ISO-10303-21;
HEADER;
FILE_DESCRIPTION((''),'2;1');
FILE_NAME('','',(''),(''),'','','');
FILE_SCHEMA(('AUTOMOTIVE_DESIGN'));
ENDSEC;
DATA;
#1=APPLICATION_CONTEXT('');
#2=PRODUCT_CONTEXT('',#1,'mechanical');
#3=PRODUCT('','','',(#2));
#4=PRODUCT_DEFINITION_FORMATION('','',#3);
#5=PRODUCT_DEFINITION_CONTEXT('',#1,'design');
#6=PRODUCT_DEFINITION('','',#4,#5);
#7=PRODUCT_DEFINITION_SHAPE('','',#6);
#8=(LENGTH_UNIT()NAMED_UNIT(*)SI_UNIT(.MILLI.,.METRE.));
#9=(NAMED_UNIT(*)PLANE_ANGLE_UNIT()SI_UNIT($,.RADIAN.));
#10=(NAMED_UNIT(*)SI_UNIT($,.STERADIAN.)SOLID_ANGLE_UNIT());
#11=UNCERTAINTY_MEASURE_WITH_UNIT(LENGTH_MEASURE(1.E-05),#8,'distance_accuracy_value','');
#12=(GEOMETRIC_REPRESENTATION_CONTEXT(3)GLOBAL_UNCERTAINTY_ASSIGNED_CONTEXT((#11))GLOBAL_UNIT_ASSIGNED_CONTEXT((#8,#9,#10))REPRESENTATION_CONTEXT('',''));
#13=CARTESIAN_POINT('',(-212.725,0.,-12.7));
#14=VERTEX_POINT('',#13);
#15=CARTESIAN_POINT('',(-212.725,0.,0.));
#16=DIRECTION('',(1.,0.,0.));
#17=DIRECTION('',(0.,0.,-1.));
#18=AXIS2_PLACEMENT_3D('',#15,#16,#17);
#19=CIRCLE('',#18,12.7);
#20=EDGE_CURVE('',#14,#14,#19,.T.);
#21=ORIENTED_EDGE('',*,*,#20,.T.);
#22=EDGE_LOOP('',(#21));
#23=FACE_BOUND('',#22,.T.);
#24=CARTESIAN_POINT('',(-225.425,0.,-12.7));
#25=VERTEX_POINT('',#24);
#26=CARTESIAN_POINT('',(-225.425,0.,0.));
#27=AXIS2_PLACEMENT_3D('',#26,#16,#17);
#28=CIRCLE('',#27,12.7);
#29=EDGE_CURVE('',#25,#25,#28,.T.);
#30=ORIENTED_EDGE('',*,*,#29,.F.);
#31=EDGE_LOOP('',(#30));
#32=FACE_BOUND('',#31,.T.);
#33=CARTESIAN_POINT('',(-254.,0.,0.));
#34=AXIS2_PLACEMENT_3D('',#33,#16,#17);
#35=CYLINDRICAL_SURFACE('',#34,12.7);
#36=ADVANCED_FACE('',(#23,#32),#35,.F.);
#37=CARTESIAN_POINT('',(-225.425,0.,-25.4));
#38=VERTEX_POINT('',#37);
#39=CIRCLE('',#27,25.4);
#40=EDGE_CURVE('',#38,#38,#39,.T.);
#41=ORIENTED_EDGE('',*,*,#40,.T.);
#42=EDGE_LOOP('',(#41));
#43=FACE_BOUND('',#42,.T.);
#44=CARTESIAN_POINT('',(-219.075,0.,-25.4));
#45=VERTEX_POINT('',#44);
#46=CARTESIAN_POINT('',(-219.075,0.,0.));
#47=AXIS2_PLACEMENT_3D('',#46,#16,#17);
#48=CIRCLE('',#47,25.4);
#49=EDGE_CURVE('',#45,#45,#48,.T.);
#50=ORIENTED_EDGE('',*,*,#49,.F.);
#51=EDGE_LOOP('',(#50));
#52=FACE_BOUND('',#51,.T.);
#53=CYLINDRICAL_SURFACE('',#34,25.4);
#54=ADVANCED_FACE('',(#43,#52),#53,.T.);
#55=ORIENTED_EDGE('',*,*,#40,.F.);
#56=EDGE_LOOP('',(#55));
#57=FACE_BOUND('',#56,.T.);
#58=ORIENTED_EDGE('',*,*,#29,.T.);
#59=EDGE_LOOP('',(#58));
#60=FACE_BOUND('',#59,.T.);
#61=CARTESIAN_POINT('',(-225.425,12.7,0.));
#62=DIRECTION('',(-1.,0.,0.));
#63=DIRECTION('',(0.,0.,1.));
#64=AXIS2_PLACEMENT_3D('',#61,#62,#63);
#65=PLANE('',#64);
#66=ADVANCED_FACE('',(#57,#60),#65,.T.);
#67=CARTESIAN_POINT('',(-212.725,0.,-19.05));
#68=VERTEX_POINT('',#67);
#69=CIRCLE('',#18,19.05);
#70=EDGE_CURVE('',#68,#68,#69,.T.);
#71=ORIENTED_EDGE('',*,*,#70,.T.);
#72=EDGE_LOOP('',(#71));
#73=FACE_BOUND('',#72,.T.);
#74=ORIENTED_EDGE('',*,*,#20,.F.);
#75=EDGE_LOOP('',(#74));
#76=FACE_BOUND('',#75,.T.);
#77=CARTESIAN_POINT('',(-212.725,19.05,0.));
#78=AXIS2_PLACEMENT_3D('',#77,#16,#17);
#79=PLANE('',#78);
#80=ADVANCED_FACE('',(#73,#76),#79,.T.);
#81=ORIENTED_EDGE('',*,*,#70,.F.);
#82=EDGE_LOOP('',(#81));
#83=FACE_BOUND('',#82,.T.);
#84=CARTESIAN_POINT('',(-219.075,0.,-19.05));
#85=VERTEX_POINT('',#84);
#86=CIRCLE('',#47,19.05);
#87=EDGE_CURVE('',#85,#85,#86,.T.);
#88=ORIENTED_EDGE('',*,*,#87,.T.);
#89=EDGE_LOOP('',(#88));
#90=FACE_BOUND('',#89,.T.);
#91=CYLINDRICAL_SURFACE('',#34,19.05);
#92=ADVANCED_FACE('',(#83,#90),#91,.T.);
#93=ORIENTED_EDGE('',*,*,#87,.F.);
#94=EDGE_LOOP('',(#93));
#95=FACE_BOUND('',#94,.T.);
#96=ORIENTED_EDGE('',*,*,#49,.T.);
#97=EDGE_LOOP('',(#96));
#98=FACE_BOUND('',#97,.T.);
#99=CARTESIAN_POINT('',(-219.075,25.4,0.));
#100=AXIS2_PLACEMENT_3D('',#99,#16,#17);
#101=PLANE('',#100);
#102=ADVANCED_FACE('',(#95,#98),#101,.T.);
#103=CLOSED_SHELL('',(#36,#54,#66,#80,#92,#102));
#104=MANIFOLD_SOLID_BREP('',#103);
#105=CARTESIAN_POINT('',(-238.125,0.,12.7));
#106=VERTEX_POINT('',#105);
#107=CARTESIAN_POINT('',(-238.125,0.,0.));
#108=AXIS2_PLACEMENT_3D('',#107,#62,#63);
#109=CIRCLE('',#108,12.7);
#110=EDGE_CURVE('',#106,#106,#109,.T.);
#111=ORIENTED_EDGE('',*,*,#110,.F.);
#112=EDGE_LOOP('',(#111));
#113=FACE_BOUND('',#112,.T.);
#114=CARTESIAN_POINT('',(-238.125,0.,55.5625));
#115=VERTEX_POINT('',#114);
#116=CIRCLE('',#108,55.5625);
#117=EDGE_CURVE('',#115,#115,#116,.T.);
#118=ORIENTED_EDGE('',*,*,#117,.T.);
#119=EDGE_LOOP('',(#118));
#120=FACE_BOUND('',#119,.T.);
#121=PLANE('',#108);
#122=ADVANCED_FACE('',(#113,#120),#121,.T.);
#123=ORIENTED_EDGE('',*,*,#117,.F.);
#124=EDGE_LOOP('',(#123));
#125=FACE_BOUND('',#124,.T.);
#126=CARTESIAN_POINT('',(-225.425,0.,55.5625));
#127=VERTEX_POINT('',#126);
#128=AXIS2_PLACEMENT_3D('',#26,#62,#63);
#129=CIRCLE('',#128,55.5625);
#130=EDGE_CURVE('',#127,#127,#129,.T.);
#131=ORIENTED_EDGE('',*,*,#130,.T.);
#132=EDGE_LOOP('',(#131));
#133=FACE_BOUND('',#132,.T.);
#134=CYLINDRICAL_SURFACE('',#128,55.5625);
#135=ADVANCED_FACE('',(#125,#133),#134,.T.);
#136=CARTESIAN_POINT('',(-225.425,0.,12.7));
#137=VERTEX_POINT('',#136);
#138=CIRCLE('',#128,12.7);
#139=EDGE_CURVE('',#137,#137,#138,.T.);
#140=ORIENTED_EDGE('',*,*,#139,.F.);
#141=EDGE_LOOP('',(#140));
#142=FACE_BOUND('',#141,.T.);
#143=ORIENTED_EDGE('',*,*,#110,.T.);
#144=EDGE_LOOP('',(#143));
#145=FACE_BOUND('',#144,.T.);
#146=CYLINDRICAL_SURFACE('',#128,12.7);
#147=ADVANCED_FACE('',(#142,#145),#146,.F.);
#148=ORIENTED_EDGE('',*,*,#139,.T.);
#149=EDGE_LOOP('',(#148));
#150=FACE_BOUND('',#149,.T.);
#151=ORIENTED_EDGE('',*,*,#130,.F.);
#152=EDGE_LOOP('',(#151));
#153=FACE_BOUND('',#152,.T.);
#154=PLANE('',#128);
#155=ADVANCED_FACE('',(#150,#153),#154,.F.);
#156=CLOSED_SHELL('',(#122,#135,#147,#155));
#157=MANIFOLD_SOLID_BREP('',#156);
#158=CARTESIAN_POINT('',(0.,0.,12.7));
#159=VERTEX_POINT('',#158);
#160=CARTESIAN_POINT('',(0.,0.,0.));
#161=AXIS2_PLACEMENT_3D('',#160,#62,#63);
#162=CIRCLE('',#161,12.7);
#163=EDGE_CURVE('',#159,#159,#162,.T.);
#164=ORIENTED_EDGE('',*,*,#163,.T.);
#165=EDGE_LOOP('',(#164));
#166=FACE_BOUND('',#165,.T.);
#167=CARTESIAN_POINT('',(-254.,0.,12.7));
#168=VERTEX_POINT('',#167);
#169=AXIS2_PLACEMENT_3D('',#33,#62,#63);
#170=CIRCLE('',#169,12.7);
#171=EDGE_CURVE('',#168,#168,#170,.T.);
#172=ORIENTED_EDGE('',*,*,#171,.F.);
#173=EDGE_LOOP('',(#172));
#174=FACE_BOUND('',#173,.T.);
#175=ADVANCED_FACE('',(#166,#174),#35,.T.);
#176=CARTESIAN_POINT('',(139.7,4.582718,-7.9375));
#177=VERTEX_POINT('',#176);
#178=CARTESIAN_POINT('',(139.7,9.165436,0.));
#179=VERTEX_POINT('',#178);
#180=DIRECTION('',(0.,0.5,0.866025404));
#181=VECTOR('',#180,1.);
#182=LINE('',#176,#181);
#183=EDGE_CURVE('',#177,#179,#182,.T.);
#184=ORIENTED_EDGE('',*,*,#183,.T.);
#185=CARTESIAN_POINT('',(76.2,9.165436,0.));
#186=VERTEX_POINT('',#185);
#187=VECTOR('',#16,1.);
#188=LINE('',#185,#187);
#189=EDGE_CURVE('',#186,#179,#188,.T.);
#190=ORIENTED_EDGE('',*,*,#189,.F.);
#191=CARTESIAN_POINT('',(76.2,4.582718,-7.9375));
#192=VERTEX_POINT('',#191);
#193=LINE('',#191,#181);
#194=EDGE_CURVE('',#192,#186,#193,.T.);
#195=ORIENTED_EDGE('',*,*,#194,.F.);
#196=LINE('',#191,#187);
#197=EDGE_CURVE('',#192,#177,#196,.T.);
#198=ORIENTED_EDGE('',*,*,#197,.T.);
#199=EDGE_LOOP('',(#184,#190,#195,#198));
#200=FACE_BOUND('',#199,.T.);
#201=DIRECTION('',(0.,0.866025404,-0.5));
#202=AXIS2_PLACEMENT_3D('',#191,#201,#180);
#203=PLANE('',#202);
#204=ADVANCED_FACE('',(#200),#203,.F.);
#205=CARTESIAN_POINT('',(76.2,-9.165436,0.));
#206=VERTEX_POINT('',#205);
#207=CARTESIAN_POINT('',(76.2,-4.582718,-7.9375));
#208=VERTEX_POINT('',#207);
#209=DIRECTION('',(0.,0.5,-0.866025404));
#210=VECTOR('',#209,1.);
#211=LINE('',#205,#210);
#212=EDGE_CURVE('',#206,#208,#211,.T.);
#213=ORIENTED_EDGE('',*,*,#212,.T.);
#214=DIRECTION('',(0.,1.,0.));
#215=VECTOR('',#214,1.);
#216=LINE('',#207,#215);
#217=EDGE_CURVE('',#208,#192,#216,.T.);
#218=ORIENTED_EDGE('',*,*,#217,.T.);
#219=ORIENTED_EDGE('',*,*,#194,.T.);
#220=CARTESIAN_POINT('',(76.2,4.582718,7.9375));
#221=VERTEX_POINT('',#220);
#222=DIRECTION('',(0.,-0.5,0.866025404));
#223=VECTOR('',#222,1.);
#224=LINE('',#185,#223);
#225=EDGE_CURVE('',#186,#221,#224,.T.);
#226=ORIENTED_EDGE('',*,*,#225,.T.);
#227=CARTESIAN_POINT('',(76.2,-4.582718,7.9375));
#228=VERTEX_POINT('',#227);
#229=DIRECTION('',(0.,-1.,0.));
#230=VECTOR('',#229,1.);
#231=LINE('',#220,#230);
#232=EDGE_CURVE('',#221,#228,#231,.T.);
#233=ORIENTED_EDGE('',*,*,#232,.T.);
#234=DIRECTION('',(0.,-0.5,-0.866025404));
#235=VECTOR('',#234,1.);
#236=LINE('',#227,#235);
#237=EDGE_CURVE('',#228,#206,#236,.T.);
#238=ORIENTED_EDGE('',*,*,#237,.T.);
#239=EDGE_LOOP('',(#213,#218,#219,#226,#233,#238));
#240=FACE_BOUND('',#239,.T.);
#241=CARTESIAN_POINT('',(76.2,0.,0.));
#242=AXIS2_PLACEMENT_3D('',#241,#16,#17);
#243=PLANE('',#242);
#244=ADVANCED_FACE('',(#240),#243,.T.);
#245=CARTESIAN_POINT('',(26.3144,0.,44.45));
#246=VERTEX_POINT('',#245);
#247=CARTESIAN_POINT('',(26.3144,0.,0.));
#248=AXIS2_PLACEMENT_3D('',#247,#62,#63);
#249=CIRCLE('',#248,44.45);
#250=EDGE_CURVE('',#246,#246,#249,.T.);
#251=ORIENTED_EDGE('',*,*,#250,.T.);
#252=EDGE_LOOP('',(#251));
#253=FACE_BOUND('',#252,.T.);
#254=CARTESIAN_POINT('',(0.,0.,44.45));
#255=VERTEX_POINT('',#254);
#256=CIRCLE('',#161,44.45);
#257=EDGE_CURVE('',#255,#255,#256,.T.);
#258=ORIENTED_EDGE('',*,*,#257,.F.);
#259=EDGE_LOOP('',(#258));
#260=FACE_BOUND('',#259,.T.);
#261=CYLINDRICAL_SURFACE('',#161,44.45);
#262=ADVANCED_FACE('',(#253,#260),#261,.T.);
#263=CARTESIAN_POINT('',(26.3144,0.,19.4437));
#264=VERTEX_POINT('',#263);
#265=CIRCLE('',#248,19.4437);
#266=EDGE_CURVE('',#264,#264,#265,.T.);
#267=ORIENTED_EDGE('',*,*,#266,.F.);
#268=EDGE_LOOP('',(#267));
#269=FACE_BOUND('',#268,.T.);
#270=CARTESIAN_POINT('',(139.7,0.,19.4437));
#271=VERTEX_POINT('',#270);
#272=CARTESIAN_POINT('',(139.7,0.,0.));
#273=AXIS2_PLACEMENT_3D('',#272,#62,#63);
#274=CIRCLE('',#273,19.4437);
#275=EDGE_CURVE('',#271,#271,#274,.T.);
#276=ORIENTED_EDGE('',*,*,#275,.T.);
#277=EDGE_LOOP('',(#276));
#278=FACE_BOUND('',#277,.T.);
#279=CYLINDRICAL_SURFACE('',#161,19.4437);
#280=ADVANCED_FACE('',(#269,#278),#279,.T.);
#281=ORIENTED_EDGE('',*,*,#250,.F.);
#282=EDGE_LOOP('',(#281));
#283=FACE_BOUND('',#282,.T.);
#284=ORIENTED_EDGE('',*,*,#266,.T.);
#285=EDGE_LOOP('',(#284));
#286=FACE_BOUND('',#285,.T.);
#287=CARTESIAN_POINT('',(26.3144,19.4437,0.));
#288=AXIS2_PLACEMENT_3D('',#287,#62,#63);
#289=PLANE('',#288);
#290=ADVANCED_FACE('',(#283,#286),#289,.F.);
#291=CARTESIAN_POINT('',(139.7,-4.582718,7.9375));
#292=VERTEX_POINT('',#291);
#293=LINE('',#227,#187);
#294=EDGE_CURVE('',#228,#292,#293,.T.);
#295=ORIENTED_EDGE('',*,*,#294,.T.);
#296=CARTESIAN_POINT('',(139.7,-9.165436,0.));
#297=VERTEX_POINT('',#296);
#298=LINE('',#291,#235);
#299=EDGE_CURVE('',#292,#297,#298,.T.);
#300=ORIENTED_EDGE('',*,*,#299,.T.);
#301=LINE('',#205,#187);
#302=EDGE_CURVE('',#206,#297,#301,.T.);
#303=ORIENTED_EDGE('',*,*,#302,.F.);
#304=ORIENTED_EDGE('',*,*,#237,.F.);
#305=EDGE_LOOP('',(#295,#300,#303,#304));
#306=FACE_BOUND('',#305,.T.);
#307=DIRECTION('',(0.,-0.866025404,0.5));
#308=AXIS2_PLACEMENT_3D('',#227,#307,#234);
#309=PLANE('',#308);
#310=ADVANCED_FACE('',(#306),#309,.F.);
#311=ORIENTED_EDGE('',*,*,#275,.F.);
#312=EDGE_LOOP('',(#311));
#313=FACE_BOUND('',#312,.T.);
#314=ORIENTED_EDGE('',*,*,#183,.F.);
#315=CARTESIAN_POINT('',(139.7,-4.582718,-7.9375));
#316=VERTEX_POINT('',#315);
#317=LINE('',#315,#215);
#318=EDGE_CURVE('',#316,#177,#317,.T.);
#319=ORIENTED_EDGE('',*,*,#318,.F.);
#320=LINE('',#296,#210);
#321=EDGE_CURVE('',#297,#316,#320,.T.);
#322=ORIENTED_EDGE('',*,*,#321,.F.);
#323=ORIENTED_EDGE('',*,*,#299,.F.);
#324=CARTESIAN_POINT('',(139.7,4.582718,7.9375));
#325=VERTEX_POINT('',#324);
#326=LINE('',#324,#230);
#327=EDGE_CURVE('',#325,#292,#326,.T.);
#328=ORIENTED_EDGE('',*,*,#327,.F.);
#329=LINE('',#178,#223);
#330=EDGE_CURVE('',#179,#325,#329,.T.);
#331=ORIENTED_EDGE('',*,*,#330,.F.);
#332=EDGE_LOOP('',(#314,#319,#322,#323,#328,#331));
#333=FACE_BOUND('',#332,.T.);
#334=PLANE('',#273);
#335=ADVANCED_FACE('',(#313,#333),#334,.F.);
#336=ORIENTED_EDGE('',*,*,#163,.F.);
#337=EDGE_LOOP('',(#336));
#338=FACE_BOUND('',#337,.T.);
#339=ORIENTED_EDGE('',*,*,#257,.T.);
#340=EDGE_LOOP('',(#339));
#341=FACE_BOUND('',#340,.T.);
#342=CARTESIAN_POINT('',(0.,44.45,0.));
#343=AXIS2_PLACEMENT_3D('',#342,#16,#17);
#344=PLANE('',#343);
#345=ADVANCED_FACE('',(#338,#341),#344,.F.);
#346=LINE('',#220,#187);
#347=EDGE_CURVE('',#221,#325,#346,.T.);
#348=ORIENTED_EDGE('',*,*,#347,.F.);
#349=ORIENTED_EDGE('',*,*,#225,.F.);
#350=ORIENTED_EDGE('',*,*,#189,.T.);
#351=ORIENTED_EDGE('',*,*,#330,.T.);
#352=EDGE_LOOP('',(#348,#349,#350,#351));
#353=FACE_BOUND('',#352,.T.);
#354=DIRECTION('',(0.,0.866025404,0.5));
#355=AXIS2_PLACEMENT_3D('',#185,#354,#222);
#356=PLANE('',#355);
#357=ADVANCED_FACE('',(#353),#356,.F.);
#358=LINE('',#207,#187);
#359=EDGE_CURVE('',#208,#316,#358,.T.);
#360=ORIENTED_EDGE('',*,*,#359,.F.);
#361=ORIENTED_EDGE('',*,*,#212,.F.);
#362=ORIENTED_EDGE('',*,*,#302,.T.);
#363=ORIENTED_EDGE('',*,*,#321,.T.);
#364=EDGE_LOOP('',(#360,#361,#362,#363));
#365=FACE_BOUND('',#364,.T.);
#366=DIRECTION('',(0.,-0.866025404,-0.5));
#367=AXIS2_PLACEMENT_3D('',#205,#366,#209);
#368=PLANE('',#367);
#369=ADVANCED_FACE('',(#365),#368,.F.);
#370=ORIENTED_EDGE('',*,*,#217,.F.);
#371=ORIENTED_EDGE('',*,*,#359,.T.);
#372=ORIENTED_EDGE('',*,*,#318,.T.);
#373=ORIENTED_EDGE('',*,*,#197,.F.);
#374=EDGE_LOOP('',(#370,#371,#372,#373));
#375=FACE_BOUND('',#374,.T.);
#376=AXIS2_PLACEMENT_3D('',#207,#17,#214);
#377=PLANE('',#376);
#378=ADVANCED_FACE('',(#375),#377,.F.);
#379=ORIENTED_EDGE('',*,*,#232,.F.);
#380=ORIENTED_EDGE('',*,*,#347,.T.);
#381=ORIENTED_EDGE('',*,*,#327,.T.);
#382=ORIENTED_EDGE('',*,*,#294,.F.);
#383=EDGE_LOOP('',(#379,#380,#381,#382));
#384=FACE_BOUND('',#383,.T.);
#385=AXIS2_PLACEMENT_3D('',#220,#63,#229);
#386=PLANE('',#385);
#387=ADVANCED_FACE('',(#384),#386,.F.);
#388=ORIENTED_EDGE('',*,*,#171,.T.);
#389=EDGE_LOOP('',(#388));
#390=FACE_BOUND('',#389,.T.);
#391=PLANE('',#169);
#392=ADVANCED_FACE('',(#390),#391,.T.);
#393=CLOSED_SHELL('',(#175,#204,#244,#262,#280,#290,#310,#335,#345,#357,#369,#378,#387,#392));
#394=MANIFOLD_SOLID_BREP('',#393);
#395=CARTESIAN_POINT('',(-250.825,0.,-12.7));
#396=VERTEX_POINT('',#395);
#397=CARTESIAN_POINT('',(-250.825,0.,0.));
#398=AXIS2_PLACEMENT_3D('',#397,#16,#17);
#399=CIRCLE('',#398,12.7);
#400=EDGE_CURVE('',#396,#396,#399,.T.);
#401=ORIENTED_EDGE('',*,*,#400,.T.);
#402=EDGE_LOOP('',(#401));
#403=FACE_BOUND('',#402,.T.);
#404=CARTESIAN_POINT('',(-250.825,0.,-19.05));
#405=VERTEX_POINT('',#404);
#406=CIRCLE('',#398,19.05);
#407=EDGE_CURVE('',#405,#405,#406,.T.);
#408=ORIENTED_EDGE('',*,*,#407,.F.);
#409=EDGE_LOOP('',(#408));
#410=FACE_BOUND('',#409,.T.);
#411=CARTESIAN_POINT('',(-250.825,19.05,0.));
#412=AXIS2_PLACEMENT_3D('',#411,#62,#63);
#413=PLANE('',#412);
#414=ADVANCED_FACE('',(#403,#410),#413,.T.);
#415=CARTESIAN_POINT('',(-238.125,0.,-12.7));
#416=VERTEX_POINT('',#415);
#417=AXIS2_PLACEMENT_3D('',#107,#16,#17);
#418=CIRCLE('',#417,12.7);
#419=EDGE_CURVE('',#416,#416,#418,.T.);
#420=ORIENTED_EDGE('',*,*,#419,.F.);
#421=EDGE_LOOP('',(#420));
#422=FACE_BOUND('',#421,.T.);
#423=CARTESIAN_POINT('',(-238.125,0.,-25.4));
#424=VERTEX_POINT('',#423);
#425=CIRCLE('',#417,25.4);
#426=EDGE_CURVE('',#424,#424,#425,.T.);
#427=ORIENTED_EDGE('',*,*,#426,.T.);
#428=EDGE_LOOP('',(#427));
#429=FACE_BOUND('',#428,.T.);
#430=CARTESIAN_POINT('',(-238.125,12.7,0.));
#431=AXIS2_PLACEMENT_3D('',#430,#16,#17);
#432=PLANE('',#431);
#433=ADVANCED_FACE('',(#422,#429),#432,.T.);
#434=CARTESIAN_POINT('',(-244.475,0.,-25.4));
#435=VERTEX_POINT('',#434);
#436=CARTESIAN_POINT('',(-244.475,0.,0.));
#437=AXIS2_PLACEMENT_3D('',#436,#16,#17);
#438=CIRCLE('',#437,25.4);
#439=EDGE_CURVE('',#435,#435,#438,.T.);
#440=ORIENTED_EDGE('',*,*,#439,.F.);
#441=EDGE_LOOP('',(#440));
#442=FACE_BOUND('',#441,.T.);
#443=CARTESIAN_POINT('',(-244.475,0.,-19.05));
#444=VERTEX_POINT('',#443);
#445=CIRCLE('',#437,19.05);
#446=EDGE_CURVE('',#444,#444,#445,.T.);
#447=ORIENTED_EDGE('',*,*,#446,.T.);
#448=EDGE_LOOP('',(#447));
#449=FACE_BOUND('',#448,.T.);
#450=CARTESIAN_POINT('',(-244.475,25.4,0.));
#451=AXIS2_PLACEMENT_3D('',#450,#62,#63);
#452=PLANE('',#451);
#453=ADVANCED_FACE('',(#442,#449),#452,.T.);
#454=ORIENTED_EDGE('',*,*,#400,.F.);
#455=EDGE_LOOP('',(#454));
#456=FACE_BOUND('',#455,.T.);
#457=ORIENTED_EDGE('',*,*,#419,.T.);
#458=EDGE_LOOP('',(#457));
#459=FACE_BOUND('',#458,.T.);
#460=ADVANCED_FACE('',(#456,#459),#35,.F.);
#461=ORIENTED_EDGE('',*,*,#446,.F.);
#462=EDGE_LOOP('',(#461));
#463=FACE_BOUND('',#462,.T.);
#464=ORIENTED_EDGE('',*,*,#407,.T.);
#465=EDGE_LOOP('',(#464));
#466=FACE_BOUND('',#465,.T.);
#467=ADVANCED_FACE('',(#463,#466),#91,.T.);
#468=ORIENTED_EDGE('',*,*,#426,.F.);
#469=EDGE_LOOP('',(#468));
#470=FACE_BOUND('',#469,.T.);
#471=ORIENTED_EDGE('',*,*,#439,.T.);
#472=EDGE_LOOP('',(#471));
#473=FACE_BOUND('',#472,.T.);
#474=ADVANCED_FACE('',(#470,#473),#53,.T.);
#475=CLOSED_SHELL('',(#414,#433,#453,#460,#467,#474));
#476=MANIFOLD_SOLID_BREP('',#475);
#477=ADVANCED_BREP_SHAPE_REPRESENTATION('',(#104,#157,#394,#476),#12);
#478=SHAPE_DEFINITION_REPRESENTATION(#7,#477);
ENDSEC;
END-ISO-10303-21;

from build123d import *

# Parameters (mm, degrees)
SKETCH2_R           = 12.7
BOSS_EXTRUDE1_DEPTH = 254
BOSS_EXTRUDE2_START = -15.875
SKETCH4_R           = 55.5625
SKETCH4_R_2         = 12.7
BOSS_EXTRUDE2_DEPTH = 12.7
CUT_EXTRUDE1_DEPTH  = 63.5


with BuildPart() as part:
    # Sketch1 → Revolve_Chuck (revolve)
    with BuildSketch(Plane.XY, mode=Mode.PRIVATE) as revolve_chuck_sk:
        Polygon((139.7, 0), (139.7, 19.4437), (26.3144, 19.4437), (26.3144, 44.45), (0, 44.45), (0, 0), align=None)
    revolve(revolve_chuck_sk.sketch.rotate(Axis((0, 0, 0), (1, 0, 0)), 90), axis=Axis((0, 0, 0), (1, 0, 0)))

    # Sketch2 → Boss-Extrude1 (add)
    with BuildSketch(Plane.ZY):
        Circle(SKETCH2_R)
    extrude(amount=BOSS_EXTRUDE1_DEPTH)

    # Sketch5 → Cut-Extrude1 (cut)
    with BuildSketch(Plane(origin=(139.7, 0, 0), x_dir=(0, 0, -1), z_dir=(1, 0, 0))):
        Polygon((0, 9.165435523), (-7.9375, 4.582717762), (-7.9375, -4.582717762), (0, -9.165435523), (7.9375, -4.582717762), (7.9375, 4.582717762), align=None)
    extrude(amount=-CUT_EXTRUDE1_DEPTH, mode=Mode.SUBTRACT)


with BuildPart() as body_2:
    # Sketch4 → Boss-Extrude2 (new body)
    with BuildSketch(Plane.ZY.offset(254).offset(BOSS_EXTRUDE2_START)):
        Circle(SKETCH4_R)
        Circle(SKETCH4_R_2, mode=Mode.SUBTRACT)
    extrude(amount=-BOSS_EXTRUDE2_DEPTH)


with BuildPart() as body_3:
    # Sketch6 → Revolve1 (revolve)
    with BuildSketch(Plane.XY, mode=Mode.PRIVATE) as revolve1_sk:
        Polygon((-238.125, 12.7), (-238.125, 25.4), (-244.475, 25.4), (-244.475, 19.05), (-250.825, 19.05), (-250.825, 12.7), align=None)
        Polygon((-212.725, 12.7), (-225.425, 12.7), (-225.425, 25.4), (-219.075, 25.4), (-219.075, 19.05), (-212.725, 19.05), align=None)
    revolve(revolve1_sk.sketch.rotate(Axis((-254, 0, 0), (-1, 0, 0)), 90), axis=Axis((-254, 0, 0), (-1, 0, 0)))


solid = Compound([part.part, body_2.part, body_3.part])
